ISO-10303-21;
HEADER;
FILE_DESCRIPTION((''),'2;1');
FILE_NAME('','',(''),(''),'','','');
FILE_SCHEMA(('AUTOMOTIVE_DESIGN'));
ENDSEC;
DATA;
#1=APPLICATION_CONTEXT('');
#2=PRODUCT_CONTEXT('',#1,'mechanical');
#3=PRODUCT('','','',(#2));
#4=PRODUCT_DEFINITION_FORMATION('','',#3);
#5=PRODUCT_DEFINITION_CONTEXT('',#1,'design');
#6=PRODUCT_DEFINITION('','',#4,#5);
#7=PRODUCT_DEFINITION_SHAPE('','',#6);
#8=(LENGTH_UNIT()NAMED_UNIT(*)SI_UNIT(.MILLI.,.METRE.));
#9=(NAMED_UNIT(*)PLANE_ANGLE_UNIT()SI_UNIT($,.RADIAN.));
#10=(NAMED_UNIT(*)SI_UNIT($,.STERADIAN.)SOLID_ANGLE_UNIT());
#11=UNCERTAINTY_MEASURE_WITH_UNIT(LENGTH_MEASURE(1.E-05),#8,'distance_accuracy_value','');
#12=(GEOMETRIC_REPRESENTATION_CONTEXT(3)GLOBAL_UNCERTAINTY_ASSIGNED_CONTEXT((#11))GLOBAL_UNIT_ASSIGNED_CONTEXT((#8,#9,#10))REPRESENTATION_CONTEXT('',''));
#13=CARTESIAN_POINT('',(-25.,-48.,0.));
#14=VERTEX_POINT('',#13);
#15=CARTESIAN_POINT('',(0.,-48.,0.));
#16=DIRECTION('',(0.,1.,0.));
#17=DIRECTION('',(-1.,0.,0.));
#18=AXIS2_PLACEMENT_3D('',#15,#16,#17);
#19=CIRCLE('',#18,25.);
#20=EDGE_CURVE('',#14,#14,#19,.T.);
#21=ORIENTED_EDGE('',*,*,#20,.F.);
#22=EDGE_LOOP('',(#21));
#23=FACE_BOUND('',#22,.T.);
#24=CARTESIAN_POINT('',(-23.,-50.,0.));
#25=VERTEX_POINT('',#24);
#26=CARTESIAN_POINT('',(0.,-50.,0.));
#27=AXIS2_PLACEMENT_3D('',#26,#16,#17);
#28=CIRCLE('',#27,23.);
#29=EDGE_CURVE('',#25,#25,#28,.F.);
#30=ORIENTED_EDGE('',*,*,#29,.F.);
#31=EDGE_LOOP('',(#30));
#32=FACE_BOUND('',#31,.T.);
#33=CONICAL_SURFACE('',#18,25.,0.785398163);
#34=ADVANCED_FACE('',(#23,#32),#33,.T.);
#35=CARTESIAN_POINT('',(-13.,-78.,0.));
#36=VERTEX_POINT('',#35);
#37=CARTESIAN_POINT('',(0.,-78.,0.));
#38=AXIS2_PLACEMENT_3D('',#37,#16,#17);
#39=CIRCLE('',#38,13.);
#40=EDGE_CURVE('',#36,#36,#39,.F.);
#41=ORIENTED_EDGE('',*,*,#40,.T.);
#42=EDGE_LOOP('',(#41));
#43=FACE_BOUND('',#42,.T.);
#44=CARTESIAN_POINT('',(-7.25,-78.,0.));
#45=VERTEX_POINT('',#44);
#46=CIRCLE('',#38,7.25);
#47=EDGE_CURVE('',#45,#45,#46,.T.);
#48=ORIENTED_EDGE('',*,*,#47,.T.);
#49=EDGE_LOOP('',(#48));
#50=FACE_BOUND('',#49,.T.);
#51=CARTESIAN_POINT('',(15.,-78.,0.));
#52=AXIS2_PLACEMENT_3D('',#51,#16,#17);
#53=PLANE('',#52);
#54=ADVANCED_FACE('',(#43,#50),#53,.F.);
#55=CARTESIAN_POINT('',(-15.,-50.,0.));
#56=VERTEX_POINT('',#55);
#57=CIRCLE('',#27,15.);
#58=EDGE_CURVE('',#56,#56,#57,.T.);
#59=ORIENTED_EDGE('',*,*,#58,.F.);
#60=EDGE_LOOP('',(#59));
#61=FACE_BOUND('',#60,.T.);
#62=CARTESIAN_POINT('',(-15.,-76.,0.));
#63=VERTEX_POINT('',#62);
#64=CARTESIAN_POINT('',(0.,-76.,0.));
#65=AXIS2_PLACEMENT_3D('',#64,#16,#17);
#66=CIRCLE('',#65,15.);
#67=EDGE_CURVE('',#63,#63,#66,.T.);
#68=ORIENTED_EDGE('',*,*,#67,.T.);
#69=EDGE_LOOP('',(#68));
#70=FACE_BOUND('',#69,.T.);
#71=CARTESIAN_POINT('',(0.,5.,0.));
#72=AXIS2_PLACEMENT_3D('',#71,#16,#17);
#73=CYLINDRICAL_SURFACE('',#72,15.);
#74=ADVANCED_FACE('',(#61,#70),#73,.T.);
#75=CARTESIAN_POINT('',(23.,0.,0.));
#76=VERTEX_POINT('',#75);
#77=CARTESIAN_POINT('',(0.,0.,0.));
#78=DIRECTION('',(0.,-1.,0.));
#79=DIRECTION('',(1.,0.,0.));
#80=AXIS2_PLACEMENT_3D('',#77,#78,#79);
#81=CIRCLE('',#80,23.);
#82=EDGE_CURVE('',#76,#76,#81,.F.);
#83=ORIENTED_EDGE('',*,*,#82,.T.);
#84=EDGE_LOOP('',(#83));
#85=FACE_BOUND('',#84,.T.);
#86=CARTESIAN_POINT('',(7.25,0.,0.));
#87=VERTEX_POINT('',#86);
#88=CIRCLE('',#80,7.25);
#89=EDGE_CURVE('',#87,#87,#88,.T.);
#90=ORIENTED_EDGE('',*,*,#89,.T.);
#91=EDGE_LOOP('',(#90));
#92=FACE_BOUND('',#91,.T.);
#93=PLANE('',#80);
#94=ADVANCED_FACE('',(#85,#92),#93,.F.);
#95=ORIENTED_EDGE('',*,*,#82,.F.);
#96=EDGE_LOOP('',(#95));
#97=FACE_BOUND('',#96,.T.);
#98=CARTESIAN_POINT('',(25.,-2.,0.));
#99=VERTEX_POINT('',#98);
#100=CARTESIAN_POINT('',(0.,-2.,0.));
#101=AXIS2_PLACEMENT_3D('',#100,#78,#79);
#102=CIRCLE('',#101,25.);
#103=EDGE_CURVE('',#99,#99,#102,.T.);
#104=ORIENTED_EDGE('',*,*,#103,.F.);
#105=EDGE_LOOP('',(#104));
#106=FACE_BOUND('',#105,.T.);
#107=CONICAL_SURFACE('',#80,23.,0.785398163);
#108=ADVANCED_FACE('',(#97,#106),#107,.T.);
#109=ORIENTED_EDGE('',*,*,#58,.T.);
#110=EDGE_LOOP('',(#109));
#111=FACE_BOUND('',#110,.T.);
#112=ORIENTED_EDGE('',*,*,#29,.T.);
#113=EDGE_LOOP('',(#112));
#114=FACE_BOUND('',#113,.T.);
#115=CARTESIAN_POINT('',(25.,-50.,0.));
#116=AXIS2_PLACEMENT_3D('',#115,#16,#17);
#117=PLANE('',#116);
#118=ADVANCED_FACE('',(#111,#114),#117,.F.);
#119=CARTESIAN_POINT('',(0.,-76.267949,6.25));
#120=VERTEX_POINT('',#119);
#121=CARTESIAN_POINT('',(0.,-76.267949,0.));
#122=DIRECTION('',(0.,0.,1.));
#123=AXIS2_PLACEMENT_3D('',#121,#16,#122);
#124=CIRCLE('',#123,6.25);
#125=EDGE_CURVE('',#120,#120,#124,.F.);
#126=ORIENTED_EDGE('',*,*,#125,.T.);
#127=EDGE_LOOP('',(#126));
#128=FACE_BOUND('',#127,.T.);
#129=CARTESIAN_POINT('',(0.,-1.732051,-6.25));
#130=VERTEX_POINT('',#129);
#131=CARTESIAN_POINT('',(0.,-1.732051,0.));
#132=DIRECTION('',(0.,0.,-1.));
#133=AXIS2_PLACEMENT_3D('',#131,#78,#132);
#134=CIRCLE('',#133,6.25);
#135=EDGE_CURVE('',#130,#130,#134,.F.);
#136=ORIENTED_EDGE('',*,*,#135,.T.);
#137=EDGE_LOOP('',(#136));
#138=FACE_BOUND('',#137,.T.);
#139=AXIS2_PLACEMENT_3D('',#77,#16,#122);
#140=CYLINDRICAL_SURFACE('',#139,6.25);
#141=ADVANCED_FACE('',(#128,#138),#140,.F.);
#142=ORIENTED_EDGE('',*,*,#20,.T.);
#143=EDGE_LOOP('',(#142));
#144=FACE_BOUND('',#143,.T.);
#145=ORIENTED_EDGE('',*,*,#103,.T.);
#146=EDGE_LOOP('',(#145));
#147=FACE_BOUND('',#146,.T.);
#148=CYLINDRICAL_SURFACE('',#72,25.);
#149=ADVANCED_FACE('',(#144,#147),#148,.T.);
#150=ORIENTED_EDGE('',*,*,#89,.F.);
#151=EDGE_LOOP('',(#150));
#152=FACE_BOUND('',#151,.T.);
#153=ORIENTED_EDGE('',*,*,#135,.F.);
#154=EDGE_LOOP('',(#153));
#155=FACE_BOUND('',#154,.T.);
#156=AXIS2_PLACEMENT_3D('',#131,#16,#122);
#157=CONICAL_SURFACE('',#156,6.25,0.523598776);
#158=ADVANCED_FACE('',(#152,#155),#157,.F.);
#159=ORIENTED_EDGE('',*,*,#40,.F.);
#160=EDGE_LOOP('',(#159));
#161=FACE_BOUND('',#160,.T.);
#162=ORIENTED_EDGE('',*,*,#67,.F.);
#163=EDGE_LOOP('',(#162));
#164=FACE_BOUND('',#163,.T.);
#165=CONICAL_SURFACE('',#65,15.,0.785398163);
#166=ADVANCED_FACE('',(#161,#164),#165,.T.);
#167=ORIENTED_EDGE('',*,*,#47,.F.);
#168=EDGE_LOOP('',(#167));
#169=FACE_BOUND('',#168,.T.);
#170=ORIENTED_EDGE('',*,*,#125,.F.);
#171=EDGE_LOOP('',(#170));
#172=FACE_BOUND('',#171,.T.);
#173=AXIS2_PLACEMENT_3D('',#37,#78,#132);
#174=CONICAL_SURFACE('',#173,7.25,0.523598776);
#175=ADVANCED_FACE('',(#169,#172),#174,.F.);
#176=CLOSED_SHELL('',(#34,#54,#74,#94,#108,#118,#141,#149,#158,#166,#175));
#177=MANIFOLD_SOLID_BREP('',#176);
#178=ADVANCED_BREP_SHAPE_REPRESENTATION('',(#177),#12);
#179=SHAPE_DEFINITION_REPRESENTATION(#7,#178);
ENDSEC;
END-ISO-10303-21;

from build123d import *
from OCP.BRepFilletAPI import BRepFilletAPI_MakeChamfer

# Parameters (mm, degrees)
CHAMFER1_SIZE                = 2
F_12_5_12_5_DIAMETER_HOLE1_D = 12.5
CHAMFER2_SIZE                = 1
CHAMFER2_SIZE2               = 1.732050808


with BuildPart() as part:
    # Sketch1 → Revolve1 (revolve)
    with BuildSketch(Plane.XY, mode=Mode.PRIVATE) as revolve1_sk:
        Polygon((0, 0), (25, 0), (25, -50), (15, -50), (15, -78), (0, -78), align=None)
    revolve(revolve1_sk.sketch.rotate(Axis((0, 5, 0), (0, -1, 0)), 180), axis=Axis((0, 5, 0), (0, -1, 0)))

    # Chamfer1
    chamfer1_edges = [part.edges().sort_by_distance(p)[0] for p in [
        (15, -78, 0),
        (25, -50, 0),
        (25, 0, 0),
    ]]
    chamfer(chamfer1_edges, length=CHAMFER1_SIZE)

    # Ø12.5 (12.5) Diameter Hole1 (through all)
    with Locations(Plane(origin=(0, 0, 0), x_dir=(1, 0, 0), z_dir=(0, 1, 0))):
        with Locations((0, 0)):
            Hole(F_12_5_12_5_DIAMETER_HOLE1_D / 2)

    # Chamfer2: one chamfer whose edges measure the first distance from different faces: ONE call of the kernel's chamfer builder (chamfer() names one face for all edges)
    chamfer2_edges_1 = [part.edges().sort_by_distance(p)[0] for p in [
        (6.25, 0, 0),
    ]]
    chamfer2_side_1 = [part.faces().sort_by_distance(p)[0] for p in [
        (22.349461761, 0, 0),
    ]]
    chamfer2_edges_2 = [part.edges().sort_by_distance(p)[0] for p in [
        (6.25, -78, 0),
    ]]
    chamfer2_side_2 = [part.faces().sort_by_distance(p)[0] for p in [
        (12.632304474, -78, 0),
    ]]
    chamfer2 = BRepFilletAPI_MakeChamfer(part.part.solid().wrapped)
    for e in chamfer2_edges_1:
        chamfer2.Add(CHAMFER2_SIZE, CHAMFER2_SIZE2, e.wrapped, chamfer2_side_1[0].wrapped)  # the first distance lies on this face
    for e in chamfer2_edges_2:
        chamfer2.Add(CHAMFER2_SIZE, CHAMFER2_SIZE2, e.wrapped, chamfer2_side_2[0].wrapped)  # the first distance lies on this face
    add(Compound.cast(chamfer2.Shape()), mode=Mode.REPLACE)


solid = part.part
